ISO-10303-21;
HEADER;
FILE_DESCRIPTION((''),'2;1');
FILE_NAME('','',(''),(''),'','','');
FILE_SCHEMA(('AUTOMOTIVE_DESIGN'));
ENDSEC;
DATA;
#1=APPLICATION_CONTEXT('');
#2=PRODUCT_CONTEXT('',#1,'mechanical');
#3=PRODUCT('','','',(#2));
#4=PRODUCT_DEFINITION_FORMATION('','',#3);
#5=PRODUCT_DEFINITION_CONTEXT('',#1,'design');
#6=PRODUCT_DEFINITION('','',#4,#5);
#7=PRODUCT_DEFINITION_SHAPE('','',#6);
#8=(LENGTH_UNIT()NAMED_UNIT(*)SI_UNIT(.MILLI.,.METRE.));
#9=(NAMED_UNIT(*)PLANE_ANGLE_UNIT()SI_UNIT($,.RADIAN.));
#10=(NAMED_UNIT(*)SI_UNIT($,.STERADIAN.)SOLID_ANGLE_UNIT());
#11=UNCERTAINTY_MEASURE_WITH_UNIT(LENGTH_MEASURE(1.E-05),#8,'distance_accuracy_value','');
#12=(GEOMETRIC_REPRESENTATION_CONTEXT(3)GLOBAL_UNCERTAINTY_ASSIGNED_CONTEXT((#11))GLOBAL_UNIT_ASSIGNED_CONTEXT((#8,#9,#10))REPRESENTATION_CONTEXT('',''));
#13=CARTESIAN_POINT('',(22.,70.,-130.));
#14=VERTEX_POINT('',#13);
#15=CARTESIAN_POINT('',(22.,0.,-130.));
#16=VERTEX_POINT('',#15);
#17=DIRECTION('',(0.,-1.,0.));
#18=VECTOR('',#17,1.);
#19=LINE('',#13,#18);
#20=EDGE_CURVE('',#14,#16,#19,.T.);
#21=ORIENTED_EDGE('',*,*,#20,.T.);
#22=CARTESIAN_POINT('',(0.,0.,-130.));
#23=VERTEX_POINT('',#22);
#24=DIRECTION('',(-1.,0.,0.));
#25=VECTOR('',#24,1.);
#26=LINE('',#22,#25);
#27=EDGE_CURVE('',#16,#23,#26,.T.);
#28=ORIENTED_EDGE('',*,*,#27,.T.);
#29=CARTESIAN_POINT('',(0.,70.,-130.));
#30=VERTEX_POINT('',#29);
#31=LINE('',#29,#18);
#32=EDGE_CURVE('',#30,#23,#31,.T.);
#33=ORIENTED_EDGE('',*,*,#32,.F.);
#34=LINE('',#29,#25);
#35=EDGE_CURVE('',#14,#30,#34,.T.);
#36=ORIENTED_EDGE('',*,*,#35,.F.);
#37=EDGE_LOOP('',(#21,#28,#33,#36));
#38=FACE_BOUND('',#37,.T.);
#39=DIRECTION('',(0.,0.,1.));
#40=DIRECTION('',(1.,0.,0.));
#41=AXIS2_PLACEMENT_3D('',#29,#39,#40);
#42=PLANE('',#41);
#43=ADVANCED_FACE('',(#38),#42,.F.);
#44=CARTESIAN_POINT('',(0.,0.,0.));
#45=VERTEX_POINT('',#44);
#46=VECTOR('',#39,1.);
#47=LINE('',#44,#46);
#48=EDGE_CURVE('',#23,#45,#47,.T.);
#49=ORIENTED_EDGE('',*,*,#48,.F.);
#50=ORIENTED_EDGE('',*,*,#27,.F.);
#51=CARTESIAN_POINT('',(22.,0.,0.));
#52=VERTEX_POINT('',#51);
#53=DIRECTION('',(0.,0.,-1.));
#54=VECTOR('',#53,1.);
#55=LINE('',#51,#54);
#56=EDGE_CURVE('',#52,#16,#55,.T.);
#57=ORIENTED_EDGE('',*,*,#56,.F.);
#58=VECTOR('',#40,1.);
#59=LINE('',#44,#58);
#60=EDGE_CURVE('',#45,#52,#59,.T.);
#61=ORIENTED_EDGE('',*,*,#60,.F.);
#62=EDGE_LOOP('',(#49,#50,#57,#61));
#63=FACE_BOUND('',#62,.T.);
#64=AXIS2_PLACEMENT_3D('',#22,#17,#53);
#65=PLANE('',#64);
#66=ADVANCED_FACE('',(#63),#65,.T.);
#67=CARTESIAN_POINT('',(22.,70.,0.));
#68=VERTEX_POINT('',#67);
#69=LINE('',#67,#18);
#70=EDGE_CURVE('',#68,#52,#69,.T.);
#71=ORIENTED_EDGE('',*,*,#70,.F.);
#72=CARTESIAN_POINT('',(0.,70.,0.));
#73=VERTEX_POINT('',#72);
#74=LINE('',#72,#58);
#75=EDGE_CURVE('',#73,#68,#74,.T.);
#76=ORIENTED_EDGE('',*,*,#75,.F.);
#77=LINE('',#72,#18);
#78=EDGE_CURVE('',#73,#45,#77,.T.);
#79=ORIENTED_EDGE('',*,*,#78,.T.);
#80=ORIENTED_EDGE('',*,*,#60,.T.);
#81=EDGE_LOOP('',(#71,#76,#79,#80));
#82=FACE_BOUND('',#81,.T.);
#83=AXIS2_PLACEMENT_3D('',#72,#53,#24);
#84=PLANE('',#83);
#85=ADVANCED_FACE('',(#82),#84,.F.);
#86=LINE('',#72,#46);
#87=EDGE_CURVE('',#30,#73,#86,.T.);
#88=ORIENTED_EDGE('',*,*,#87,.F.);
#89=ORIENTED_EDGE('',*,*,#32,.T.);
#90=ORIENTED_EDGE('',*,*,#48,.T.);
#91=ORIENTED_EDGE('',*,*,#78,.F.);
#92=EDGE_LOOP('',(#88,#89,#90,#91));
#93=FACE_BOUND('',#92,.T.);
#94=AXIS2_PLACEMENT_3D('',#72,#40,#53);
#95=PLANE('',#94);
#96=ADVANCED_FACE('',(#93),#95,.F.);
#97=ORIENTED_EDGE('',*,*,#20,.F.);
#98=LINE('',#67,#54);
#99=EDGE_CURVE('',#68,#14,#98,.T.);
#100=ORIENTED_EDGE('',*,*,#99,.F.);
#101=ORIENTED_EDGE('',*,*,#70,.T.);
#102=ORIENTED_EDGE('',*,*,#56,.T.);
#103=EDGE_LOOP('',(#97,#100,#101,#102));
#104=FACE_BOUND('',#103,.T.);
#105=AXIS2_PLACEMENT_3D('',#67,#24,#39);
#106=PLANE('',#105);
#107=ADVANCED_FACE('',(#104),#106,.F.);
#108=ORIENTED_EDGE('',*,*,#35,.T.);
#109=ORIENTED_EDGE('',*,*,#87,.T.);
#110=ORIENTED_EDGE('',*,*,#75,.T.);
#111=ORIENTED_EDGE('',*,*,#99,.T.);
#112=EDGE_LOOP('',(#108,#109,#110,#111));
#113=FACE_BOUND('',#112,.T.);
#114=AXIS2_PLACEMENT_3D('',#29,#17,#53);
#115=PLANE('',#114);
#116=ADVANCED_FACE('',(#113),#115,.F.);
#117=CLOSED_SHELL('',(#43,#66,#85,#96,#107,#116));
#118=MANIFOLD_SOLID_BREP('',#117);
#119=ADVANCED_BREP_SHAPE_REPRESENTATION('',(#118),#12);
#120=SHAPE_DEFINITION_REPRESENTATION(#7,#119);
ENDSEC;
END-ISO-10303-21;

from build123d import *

# Parameters (mm, degrees)
ESQUISSE1_W      = 22
ESQUISSE1_H      = 130
EXTRUSION1_DEPTH = 70


with BuildPart() as part:
    # Esquisse1 → Extrusion1 (new body)
    with BuildSketch(Plane(origin=(0, 0, 0), x_dir=(1, 0, 0), z_dir=(0, 1, 0))):
        with Locations((11, 65)):
            Rectangle(ESQUISSE1_W, ESQUISSE1_H)
    extrude(amount=EXTRUSION1_DEPTH)


solid = part.part
